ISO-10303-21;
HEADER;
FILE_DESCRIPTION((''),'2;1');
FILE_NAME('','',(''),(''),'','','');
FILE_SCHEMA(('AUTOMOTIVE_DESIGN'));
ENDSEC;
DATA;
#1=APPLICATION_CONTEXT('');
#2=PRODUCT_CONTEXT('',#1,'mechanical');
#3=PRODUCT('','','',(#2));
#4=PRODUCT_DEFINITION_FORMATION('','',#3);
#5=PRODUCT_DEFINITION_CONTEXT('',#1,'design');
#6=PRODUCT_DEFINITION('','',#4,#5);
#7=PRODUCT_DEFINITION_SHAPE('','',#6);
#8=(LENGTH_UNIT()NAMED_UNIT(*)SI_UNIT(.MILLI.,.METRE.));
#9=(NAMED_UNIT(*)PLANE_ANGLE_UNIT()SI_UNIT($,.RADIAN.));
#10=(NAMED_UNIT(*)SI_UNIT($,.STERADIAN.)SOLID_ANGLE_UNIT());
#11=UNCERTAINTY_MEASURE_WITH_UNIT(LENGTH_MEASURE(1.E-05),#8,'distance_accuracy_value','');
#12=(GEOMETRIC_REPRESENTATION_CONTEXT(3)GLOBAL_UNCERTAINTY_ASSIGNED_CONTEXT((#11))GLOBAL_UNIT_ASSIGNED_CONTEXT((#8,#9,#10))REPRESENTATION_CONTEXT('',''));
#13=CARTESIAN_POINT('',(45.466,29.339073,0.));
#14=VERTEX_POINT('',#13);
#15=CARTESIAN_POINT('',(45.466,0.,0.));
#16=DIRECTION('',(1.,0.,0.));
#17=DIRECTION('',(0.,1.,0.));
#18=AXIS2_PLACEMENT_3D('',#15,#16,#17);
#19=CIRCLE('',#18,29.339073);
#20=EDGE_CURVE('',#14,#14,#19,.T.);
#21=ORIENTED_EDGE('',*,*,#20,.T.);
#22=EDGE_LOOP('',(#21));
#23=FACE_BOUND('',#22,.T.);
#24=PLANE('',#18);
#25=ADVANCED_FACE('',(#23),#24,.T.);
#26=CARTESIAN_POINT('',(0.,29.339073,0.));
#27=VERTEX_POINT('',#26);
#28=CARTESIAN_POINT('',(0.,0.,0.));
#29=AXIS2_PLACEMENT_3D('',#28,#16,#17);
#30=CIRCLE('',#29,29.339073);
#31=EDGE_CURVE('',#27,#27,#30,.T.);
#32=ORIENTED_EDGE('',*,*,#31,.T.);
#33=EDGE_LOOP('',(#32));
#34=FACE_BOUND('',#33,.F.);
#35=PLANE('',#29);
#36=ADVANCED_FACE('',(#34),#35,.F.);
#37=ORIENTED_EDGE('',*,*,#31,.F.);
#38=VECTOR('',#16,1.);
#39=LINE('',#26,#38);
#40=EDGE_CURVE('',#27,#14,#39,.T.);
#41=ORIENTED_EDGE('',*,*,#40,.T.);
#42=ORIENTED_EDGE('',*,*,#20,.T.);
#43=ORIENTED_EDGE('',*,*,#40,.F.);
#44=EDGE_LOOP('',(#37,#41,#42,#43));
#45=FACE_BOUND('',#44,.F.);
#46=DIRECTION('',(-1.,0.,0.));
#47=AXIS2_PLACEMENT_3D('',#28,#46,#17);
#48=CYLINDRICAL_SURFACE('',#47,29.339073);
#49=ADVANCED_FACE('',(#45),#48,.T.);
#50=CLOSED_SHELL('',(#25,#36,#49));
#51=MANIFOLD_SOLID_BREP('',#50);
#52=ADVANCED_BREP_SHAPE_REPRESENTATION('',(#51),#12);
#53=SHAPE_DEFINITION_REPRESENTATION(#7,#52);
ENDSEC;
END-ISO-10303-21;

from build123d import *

# Parameters (mm, degrees)
F0_R     = 29.339073
F1_DEPTH = 45.466


with BuildPart() as f1:
    # F0 (on Right) → F1 (new body)
    with BuildSketch(Plane.YZ):
        Circle(F0_R)
    extrude(amount=F1_DEPTH)


solid = f1.part
